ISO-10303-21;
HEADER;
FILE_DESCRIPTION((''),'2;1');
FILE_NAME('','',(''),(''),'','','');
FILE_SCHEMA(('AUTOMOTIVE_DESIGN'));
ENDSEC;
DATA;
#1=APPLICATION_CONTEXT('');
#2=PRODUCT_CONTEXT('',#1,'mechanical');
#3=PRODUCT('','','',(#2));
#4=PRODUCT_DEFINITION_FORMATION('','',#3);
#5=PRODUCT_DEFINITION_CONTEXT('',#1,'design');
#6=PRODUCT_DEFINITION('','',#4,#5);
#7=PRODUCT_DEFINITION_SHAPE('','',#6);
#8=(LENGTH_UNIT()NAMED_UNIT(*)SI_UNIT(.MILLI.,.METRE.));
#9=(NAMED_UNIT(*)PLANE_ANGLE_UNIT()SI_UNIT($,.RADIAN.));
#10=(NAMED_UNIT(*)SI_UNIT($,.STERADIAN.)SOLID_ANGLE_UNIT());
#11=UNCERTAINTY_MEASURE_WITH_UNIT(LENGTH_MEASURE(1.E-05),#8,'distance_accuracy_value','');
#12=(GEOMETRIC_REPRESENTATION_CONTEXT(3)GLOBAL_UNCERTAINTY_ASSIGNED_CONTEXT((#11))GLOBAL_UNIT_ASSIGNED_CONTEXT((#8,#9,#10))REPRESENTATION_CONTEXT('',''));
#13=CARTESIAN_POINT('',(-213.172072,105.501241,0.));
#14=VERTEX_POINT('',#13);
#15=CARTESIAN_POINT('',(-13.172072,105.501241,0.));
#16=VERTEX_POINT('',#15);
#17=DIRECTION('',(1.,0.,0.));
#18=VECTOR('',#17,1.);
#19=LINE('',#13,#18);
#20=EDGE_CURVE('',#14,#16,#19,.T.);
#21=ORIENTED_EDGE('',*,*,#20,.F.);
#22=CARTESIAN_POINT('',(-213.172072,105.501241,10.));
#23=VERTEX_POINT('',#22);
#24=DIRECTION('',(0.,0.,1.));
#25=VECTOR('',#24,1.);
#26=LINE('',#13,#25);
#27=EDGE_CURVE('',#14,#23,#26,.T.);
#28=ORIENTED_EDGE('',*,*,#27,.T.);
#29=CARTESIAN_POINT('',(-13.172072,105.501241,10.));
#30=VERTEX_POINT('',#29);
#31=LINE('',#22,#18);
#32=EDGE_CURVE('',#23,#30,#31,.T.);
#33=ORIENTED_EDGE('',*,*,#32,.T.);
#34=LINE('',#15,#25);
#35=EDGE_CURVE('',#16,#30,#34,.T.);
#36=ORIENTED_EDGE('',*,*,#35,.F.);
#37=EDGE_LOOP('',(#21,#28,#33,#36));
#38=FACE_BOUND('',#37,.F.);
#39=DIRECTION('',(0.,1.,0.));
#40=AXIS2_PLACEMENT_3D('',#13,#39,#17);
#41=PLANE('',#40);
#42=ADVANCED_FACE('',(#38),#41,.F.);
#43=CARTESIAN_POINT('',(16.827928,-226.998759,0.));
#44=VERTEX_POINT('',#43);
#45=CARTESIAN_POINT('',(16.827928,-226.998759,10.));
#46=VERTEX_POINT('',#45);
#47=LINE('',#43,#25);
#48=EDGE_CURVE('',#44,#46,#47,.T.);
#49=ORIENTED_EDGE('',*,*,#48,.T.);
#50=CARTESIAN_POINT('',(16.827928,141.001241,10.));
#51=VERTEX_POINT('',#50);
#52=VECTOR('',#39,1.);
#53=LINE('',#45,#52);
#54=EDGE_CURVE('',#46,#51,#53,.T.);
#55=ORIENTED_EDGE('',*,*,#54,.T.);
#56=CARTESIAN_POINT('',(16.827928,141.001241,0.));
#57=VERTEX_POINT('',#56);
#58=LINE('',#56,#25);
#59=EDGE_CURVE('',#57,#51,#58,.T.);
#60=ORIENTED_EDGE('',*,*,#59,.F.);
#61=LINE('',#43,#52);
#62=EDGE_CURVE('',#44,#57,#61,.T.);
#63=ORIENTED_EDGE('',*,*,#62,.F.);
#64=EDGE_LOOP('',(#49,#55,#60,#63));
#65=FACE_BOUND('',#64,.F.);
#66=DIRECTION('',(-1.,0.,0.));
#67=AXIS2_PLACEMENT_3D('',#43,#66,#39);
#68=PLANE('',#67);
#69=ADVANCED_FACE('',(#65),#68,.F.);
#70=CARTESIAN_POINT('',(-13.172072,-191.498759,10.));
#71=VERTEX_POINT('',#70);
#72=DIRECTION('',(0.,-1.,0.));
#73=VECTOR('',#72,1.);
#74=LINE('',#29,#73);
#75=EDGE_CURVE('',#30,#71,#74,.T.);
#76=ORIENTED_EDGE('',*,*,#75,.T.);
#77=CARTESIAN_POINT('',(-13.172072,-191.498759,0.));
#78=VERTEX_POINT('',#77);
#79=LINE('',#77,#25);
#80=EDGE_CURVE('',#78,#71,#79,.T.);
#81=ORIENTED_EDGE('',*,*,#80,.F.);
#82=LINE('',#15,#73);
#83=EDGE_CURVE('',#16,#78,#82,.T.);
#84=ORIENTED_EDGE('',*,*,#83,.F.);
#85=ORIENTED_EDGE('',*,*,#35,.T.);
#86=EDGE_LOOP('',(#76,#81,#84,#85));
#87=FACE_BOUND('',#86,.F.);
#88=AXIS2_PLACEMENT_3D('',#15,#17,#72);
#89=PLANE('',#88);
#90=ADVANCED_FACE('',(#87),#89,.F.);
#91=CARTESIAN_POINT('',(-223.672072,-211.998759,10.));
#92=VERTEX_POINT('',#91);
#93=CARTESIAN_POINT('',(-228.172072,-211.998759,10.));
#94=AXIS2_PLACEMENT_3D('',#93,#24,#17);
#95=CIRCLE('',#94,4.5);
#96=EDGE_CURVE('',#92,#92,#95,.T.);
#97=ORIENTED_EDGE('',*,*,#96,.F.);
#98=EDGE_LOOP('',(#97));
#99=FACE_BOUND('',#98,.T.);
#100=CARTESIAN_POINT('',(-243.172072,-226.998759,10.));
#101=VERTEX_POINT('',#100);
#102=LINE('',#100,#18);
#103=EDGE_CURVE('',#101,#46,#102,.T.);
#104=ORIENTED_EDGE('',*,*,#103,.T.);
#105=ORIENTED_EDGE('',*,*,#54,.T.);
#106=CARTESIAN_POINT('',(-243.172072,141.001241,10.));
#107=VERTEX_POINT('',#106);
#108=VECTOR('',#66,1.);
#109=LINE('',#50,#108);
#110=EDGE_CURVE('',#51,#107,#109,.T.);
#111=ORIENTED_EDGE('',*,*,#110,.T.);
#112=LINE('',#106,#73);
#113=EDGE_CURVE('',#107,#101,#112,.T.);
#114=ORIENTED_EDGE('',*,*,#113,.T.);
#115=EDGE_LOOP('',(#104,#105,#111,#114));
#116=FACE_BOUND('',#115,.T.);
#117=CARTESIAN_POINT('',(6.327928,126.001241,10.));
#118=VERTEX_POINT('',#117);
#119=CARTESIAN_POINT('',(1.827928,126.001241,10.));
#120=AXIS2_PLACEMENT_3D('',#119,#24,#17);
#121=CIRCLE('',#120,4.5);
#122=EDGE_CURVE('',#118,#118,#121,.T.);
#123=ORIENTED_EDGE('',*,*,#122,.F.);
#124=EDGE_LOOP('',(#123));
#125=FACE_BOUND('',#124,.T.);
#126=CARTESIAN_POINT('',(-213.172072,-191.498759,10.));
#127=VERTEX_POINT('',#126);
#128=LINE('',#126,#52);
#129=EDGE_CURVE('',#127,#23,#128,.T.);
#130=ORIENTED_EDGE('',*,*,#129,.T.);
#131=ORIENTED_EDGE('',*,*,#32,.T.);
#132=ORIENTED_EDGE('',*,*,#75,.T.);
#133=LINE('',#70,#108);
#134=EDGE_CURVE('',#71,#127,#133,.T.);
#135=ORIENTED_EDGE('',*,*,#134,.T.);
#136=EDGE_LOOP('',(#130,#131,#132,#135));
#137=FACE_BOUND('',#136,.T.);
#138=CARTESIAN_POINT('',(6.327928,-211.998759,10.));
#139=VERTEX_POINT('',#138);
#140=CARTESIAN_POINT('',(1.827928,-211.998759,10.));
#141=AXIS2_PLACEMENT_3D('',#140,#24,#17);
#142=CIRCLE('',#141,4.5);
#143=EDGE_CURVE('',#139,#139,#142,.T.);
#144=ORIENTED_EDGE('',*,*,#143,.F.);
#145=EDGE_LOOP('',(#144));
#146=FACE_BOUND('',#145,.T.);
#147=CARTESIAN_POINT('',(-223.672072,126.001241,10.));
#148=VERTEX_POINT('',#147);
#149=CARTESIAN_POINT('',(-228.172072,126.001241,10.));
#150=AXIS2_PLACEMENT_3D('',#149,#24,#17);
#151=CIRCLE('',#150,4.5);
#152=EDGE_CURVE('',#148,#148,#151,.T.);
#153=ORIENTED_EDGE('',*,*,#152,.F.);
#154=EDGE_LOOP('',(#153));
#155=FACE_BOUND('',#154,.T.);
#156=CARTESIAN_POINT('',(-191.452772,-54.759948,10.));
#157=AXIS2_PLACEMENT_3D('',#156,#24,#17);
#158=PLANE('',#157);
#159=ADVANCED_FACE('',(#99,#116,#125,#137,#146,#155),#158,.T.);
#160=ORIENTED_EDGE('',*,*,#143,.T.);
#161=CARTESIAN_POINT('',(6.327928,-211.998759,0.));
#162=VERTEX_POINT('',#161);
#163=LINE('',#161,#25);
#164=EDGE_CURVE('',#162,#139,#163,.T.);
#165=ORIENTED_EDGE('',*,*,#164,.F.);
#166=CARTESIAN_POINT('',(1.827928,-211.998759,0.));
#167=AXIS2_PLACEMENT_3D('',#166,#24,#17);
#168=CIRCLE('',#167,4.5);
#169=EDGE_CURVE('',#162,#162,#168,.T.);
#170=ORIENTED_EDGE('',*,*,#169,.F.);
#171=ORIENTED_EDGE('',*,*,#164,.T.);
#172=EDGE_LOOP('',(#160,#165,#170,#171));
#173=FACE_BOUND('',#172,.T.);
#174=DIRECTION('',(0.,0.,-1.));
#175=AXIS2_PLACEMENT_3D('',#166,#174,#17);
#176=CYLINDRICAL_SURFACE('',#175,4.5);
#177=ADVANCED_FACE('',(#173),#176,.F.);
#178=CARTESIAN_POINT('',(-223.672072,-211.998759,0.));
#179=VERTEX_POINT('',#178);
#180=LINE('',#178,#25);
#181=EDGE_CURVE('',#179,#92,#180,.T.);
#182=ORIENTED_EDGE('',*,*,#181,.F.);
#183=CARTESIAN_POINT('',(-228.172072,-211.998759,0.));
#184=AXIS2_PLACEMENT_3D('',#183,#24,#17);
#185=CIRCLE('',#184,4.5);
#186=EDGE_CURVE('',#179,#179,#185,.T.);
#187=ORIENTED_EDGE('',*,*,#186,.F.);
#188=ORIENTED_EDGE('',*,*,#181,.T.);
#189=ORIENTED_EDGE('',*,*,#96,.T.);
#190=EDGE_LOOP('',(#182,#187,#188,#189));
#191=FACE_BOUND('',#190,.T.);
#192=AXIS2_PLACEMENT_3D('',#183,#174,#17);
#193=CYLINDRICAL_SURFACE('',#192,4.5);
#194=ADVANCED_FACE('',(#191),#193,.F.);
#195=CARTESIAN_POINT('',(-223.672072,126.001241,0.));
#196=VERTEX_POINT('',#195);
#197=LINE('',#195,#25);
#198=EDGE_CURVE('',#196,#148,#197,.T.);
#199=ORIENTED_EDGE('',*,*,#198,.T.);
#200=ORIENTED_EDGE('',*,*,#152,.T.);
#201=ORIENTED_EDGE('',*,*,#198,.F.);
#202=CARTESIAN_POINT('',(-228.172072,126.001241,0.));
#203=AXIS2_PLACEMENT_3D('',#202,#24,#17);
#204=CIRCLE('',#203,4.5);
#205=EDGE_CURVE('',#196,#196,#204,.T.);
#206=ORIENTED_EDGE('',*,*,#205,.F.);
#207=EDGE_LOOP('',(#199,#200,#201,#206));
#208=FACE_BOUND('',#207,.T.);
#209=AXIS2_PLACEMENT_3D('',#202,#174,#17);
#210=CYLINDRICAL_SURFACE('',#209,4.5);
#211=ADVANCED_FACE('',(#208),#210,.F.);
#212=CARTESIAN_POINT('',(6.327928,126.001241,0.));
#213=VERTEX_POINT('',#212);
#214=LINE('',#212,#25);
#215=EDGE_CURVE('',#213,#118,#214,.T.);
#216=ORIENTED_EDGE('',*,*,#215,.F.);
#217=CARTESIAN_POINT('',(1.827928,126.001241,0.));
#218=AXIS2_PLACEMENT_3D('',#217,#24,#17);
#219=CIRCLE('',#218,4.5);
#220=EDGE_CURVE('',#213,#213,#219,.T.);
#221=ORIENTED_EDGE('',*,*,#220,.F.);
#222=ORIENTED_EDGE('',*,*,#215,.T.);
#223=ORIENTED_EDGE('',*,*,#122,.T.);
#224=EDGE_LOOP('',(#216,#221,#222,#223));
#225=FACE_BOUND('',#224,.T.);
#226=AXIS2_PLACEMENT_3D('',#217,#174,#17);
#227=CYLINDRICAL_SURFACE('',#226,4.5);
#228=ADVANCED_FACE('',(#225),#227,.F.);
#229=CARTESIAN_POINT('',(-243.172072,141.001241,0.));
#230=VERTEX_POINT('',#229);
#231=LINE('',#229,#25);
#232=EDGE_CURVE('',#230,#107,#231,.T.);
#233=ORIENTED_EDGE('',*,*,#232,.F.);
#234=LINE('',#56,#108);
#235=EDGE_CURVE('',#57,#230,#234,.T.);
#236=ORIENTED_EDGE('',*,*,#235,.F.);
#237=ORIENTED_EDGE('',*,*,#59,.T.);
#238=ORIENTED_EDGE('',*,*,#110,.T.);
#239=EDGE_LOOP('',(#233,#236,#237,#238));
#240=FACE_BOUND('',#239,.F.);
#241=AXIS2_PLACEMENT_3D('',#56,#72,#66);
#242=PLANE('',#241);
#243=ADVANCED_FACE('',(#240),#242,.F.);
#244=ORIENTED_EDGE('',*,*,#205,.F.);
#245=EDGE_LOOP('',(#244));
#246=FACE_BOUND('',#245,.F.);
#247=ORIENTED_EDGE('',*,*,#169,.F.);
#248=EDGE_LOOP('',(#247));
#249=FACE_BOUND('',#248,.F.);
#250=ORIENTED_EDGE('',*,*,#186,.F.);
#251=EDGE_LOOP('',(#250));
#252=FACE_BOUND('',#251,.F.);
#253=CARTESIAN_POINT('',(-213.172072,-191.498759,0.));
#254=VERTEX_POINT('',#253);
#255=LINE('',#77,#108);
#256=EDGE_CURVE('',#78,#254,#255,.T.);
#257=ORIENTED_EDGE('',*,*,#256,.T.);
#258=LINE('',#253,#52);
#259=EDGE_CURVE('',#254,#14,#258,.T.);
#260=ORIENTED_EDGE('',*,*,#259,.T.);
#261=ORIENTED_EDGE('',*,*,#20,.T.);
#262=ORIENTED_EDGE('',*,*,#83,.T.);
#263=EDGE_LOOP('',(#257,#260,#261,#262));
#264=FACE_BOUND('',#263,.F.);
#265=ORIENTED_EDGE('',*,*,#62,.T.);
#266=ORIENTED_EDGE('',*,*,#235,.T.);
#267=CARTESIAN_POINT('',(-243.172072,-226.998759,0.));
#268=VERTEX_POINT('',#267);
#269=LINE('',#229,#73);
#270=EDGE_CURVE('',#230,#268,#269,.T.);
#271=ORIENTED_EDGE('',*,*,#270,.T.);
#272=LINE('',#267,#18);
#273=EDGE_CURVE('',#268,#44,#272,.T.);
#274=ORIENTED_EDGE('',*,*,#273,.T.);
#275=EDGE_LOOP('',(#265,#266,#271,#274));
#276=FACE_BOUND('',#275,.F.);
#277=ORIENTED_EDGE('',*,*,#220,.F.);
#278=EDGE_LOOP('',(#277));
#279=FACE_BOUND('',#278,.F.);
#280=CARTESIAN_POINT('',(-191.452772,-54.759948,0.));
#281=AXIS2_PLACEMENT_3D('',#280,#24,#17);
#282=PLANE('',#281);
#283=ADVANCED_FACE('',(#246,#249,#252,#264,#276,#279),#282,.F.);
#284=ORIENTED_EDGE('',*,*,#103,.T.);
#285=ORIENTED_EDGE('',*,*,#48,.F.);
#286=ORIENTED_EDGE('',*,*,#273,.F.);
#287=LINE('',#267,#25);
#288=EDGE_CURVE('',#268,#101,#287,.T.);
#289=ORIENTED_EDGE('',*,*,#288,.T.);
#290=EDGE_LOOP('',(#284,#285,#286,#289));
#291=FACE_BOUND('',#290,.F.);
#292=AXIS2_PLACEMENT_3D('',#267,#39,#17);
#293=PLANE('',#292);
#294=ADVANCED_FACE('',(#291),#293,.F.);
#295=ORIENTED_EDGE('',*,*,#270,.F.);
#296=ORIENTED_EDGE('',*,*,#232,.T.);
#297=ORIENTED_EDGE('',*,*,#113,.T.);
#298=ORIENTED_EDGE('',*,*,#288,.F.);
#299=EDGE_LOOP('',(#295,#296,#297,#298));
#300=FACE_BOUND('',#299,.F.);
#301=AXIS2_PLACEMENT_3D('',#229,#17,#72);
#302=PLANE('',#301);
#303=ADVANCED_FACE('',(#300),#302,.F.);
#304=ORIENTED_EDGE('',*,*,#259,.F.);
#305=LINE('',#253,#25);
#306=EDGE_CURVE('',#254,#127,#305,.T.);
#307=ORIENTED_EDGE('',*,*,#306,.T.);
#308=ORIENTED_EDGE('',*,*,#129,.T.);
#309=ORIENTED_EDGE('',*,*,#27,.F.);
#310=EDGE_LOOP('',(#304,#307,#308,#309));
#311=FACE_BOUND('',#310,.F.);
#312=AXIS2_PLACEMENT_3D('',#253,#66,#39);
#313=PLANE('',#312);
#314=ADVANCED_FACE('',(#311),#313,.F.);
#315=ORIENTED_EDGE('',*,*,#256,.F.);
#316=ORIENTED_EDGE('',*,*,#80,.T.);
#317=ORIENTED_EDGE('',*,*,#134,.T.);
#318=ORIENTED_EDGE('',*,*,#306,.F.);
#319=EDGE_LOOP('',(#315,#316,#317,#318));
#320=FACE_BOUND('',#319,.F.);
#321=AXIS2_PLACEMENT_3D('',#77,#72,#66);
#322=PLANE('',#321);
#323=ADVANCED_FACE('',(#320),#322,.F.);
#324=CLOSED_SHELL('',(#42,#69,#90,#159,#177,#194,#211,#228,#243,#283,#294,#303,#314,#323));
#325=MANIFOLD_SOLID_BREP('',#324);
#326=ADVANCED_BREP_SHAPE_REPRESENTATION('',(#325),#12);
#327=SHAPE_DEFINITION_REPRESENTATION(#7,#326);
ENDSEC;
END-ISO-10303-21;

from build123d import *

# Parameters (mm, degrees)
F0_R     = 4.5
F1_DEPTH = 10


with BuildPart() as f1:
    # F0 (on Top) → F1 (new body)
    with BuildSketch(Plane.XY):
        Polygon((-243.172072, 141.001241), (-243.172072, -226.998759), (-67.646502, -226.998759), (-67.646502, -191.498759), (-213.172072, -191.498759), (-213.172072, 105.501241), (-113.172072, 105.501241), (-113.172072, 141.001241), align=None)
        with Locations((-228.172072, -211.998759)):
            Circle(F0_R, mode=Mode.SUBTRACT)
        with Locations((-228.172072, 126.001241)):
            Circle(F0_R, mode=Mode.SUBTRACT)
        Polygon((-67.646502, -191.498759), (-67.646502, -226.998759), (16.827928, -226.998759), (16.827928, 141.001241), (-113.172072, 141.001241), (-113.172072, 105.501241), (-13.172072, 105.501241), (-13.172072, -191.498759), align=None)
        with Locations((1.827928, -211.998759)):
            Circle(F0_R, mode=Mode.SUBTRACT)
        with Locations((1.827928, 126.001241)):
            Circle(F0_R, mode=Mode.SUBTRACT)
    extrude(amount=F1_DEPTH)


solid = f1.part
